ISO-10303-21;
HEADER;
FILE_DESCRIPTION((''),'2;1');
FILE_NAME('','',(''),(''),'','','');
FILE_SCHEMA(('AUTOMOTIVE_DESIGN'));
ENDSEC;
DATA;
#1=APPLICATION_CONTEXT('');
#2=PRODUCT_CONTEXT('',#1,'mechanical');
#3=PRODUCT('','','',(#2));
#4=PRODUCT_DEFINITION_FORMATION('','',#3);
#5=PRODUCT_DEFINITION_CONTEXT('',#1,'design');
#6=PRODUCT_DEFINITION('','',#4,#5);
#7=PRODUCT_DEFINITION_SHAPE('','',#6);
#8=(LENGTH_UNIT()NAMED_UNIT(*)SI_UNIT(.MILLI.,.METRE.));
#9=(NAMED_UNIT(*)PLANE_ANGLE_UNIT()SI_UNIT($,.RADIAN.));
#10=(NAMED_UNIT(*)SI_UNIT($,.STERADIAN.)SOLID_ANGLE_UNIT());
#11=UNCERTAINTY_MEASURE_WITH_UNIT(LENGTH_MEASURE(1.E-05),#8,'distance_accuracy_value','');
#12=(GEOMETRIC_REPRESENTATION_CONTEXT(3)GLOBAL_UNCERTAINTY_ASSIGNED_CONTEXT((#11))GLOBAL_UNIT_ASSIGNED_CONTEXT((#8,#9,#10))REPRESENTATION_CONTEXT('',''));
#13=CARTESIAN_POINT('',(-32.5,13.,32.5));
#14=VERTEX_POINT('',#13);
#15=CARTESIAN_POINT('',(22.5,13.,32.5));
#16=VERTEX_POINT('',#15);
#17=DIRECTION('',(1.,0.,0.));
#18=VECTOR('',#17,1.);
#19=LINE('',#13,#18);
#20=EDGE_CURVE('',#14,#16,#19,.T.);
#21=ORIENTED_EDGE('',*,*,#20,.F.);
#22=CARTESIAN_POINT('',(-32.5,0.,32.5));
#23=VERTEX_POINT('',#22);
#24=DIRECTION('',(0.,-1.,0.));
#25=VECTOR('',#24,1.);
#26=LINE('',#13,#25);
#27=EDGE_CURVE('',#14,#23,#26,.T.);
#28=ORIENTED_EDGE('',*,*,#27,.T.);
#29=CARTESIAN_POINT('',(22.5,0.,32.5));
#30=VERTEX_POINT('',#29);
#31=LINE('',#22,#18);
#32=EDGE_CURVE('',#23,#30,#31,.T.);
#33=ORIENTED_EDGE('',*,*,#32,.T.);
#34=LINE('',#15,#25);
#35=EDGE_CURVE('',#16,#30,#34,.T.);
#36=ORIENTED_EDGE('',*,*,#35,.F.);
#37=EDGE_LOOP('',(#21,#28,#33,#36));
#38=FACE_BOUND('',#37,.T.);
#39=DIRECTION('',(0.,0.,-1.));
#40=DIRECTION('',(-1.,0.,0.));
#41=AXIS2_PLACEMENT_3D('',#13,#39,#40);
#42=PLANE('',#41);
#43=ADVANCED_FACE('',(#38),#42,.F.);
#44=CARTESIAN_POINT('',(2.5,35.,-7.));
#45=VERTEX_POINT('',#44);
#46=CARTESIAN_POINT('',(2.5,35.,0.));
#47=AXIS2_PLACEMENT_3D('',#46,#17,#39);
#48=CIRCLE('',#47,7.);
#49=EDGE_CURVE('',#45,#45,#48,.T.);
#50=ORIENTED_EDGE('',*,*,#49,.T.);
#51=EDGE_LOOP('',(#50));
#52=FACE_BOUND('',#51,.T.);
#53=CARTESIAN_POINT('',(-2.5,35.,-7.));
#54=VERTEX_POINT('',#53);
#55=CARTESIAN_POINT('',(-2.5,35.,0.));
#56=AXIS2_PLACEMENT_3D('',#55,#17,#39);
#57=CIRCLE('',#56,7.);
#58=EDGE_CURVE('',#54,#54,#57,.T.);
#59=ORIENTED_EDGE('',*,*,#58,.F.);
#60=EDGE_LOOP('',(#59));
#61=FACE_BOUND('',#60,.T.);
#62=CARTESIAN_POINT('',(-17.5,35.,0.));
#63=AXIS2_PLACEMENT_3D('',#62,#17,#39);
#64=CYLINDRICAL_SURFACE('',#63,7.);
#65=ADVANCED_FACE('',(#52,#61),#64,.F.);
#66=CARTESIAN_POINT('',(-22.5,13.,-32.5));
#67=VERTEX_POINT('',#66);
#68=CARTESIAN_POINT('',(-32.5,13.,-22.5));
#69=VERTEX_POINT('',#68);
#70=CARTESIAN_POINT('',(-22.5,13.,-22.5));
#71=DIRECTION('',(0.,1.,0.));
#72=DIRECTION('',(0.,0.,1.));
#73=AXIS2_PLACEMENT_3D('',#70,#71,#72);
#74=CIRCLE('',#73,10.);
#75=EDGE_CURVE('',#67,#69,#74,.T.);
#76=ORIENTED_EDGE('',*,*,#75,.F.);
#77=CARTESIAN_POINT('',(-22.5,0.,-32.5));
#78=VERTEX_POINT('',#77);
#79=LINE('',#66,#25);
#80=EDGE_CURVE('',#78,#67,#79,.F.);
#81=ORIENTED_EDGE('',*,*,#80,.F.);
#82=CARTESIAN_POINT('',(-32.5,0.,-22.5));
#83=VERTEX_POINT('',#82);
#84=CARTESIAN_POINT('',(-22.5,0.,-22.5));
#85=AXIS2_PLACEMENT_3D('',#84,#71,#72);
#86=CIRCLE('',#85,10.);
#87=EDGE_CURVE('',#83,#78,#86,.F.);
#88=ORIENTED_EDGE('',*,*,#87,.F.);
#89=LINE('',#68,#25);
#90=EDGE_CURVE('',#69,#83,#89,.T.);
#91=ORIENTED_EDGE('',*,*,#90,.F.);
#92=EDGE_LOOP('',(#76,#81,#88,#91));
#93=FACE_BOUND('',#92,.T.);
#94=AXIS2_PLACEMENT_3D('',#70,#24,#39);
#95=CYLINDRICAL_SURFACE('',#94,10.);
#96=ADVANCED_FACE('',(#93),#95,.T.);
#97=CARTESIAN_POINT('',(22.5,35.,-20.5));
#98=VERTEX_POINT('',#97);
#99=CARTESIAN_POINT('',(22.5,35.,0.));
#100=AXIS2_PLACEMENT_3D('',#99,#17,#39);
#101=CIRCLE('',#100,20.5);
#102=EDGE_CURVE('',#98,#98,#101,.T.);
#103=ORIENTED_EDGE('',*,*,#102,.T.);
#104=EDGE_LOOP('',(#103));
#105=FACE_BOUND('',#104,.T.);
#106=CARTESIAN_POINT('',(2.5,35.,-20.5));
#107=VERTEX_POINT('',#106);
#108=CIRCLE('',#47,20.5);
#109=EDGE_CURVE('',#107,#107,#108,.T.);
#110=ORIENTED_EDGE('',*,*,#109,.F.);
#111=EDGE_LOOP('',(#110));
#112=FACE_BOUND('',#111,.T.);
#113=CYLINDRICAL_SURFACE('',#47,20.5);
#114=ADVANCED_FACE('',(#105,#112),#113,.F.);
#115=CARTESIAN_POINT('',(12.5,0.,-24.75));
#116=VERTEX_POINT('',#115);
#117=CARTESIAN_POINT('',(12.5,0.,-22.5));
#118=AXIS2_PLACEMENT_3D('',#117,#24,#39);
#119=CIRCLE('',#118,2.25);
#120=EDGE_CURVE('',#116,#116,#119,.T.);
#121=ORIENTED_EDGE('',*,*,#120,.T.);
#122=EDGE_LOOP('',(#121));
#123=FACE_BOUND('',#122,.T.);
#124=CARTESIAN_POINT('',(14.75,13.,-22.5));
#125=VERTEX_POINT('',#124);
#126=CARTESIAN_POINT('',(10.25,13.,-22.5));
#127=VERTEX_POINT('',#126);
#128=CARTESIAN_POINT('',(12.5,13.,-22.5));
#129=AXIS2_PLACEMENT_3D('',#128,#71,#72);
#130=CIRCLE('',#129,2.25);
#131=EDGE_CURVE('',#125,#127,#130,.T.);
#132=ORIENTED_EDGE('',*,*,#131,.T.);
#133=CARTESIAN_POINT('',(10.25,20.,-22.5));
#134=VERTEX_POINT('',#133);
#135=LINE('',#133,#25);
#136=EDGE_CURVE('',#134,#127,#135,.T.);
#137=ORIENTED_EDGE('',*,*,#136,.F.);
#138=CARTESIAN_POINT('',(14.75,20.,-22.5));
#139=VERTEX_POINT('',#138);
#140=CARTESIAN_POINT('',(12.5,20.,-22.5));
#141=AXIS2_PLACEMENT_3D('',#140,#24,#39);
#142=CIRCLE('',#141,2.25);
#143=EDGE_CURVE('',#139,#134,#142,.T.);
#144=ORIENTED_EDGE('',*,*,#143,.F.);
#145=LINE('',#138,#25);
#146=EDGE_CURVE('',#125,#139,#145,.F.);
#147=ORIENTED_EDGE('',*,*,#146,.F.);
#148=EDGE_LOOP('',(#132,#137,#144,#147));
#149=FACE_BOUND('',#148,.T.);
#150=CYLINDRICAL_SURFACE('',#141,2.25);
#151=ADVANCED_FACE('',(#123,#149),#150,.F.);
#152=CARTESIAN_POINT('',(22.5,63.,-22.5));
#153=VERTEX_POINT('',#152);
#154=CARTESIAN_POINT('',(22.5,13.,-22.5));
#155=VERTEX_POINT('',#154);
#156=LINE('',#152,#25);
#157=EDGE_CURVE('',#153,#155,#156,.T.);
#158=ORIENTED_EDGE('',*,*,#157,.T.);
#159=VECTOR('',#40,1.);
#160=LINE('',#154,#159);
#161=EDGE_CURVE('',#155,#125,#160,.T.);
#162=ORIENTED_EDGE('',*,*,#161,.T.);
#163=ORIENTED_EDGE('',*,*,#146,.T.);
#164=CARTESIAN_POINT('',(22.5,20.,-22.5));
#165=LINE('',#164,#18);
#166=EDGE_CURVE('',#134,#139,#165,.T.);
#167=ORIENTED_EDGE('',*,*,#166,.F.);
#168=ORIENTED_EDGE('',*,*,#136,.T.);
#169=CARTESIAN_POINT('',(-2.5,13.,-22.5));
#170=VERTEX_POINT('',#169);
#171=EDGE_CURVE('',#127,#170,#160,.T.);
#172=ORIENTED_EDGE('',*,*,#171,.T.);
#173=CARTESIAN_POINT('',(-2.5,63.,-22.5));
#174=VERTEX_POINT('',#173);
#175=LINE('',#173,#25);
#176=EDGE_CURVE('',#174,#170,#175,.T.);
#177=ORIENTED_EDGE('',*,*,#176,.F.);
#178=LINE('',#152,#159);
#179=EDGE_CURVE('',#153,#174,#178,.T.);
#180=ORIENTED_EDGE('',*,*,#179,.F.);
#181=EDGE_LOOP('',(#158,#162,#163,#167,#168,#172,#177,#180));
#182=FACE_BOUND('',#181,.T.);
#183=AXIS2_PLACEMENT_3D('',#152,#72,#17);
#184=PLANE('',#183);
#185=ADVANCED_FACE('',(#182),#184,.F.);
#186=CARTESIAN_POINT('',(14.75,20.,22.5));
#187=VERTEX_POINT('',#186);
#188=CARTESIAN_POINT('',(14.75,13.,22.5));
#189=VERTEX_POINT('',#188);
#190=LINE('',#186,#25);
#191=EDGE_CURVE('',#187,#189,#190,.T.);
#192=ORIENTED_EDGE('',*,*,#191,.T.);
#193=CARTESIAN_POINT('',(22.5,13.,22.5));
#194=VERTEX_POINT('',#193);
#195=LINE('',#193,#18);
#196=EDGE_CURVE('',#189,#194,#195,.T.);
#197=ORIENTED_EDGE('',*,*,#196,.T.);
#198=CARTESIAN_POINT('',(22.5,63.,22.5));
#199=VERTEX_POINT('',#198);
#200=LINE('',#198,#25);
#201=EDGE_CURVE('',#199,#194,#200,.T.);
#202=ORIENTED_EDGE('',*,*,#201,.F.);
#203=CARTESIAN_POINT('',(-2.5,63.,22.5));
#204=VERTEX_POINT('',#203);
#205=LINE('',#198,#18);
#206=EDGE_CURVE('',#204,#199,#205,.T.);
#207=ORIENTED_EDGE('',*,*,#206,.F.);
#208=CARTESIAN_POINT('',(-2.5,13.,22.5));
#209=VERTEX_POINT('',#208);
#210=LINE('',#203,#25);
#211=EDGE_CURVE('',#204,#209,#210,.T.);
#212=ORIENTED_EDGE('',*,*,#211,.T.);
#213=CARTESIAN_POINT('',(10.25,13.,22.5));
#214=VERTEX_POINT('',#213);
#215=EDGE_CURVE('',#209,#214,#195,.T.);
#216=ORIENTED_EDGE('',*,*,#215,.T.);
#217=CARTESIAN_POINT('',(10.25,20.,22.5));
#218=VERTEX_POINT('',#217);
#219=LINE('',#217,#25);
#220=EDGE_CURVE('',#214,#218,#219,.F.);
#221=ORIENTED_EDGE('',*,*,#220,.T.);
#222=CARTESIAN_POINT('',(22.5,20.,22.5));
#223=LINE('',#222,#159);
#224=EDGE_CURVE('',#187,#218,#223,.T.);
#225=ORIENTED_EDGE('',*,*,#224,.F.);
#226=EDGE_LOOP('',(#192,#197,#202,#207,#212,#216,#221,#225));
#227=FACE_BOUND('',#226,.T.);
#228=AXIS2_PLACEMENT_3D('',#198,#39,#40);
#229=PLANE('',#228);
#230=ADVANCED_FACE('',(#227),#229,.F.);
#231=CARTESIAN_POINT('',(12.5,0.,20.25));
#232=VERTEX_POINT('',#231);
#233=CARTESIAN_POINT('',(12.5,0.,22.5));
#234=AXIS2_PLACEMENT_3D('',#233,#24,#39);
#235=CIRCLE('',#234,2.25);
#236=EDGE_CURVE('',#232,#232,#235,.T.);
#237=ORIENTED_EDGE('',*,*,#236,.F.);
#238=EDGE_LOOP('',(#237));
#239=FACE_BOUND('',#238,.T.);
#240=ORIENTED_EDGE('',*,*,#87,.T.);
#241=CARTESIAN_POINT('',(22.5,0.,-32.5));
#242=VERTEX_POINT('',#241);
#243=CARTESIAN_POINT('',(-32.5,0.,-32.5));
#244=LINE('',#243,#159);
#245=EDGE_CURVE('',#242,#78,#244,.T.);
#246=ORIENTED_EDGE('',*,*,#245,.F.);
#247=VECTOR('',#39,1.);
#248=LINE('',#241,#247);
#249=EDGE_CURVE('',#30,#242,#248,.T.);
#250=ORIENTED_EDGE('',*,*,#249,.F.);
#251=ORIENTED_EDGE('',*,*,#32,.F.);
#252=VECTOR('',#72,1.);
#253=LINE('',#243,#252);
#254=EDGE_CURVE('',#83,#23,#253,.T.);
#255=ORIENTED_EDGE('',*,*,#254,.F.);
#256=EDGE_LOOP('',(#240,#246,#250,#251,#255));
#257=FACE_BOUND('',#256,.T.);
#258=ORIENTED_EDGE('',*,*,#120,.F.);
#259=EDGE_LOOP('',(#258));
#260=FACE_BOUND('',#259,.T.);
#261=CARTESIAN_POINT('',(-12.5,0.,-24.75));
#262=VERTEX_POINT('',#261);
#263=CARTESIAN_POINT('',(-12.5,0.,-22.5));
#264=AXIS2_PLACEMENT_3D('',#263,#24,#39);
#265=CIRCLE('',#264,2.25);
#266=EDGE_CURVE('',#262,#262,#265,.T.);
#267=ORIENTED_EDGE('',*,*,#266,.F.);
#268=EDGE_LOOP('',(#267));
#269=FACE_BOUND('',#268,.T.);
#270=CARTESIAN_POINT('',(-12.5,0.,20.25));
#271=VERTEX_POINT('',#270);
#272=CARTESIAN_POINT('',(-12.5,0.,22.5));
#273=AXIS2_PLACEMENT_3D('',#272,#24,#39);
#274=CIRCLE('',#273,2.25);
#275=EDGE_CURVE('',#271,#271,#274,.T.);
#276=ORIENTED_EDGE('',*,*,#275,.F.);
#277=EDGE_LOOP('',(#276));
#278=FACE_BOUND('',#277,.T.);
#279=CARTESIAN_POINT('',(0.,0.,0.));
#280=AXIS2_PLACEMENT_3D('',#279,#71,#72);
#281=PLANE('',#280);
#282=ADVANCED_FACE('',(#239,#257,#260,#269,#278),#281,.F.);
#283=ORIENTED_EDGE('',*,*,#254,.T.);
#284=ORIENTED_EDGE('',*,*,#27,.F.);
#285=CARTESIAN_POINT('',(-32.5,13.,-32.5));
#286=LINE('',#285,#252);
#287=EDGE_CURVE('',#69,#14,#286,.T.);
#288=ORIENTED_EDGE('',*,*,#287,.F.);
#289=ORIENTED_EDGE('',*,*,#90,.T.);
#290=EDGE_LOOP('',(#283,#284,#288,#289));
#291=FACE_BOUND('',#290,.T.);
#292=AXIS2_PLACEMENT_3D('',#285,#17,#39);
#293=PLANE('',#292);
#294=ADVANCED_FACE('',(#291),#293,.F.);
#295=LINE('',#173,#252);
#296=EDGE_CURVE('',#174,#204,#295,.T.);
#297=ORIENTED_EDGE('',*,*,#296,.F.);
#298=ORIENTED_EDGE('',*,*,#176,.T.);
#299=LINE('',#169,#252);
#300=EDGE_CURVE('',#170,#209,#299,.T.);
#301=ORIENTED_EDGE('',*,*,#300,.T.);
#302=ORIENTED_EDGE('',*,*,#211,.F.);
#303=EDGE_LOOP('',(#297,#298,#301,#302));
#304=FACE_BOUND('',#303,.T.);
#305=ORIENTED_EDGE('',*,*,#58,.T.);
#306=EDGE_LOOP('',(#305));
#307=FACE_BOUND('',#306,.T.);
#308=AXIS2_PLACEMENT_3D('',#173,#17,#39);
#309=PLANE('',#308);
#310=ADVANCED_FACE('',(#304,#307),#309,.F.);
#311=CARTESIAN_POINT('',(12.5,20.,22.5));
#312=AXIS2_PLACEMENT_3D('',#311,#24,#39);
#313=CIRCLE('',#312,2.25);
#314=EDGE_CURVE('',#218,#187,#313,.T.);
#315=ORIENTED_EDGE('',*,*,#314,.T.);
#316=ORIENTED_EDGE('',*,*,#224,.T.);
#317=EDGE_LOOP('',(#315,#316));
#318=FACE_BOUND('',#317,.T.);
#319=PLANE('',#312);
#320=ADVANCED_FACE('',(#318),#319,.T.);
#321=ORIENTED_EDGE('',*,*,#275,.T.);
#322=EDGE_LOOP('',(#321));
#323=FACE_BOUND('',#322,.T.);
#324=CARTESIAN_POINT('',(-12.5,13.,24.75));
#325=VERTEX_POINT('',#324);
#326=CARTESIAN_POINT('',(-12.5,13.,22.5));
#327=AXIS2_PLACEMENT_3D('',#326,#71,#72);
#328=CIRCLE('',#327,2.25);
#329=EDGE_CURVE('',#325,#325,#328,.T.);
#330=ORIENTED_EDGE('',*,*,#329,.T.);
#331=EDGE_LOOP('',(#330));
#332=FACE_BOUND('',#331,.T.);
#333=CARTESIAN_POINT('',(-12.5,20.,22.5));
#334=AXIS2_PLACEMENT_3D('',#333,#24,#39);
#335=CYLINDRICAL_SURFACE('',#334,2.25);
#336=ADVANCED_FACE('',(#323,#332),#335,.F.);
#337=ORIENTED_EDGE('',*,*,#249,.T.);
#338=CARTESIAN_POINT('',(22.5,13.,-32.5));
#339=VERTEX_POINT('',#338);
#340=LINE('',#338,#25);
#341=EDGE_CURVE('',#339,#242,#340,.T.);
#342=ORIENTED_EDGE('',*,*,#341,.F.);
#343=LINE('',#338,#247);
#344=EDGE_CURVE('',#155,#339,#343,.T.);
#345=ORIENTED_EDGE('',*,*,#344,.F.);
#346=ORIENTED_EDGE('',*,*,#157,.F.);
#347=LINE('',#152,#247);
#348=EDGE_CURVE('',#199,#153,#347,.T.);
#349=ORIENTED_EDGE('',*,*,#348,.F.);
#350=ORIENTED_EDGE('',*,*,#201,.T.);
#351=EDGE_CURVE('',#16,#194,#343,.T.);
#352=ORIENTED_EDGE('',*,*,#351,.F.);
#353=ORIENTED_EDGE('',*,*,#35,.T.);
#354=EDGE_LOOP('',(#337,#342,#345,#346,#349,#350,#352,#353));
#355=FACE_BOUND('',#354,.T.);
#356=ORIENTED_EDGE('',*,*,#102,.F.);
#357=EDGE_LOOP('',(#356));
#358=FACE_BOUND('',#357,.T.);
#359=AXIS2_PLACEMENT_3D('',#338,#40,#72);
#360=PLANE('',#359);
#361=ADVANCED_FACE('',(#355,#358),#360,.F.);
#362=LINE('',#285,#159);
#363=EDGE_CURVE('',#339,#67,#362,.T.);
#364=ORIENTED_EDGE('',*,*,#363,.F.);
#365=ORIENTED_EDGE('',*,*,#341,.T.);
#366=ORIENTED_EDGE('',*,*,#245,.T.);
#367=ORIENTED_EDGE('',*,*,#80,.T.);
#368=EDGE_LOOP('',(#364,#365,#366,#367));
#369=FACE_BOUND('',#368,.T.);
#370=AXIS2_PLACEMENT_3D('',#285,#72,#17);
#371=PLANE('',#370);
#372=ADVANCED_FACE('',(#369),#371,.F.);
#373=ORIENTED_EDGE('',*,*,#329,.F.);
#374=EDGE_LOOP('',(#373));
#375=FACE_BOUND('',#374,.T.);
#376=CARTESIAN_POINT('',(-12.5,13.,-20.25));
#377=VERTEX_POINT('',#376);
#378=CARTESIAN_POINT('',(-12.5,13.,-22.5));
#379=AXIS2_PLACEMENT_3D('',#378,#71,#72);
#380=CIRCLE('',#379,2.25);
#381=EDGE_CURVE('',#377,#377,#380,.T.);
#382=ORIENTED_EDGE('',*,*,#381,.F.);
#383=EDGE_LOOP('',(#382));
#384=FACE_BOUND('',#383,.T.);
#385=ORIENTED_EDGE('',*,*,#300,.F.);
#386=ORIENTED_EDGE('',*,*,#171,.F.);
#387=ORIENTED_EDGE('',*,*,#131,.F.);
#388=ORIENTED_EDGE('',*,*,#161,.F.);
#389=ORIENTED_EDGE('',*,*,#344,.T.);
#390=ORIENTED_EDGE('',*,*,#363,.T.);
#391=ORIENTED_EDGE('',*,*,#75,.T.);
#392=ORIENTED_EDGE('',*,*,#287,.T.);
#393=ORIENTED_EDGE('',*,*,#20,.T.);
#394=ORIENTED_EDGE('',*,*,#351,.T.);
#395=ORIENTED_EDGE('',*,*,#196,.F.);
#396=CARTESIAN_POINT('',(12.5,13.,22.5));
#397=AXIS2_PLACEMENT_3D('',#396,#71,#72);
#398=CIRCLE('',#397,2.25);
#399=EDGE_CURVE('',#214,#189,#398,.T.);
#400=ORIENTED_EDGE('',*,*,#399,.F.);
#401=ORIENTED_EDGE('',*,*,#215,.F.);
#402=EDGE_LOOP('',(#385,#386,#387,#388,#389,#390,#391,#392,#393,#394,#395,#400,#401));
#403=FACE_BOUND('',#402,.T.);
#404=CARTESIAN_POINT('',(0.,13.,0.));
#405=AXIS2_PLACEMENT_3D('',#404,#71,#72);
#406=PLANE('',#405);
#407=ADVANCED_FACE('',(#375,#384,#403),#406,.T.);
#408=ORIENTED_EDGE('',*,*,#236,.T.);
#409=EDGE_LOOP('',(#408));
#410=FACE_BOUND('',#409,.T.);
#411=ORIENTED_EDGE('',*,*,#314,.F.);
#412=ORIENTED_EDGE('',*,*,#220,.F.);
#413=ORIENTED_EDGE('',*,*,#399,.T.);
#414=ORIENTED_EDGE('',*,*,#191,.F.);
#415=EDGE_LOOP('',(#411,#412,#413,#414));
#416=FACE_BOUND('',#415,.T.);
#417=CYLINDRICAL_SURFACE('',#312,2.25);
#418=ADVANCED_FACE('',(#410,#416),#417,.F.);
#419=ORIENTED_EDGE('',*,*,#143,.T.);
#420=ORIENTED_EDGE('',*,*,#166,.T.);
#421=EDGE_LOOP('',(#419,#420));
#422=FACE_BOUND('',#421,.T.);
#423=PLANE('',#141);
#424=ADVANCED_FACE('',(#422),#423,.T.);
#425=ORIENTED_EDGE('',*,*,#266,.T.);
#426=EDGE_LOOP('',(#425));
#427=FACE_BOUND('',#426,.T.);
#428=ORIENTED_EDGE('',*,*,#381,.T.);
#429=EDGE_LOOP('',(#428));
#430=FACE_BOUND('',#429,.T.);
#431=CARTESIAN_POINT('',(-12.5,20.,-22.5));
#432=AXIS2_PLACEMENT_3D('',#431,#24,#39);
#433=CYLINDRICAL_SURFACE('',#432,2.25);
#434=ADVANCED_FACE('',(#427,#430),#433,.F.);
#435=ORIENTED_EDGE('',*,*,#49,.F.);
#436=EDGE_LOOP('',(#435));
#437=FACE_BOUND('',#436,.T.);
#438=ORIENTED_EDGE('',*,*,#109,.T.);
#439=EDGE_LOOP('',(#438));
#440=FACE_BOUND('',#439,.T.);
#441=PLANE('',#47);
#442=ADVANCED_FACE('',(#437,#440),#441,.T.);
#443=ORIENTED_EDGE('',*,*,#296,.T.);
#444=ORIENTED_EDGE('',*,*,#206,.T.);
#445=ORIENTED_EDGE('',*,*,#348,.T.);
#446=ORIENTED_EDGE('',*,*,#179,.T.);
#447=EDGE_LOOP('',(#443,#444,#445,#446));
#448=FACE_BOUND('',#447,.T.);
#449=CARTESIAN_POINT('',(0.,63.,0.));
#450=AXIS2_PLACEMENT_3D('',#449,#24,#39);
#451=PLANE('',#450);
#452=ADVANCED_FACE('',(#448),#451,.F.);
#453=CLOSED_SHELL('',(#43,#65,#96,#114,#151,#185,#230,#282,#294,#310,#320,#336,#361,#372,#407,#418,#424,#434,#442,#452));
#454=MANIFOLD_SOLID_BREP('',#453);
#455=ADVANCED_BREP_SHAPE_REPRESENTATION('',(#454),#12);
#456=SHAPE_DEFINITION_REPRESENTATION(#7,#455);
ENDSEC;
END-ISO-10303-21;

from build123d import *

# Parameters (mm, degrees)
SKETCH1_W           = 55
SKETCH1_H           = 65
BOSS_EXTRUDE1_DEPTH = 13
SKETCH2_W           = 25
SKETCH2_H           = 45
BOSS_EXTRUDE2_DEPTH = 50
SKETCH5_R           = 20.5
CUT_EXTRUDE1_DEPTH  = 20
SKETCH7_R           = 7
CUT_EXTRUDE2_DEPTH  = 20
SKETCH8_R           = 2.25
CUT_EXTRUDE3_DEPTH  = 20
FILLET1_R           = 10


with BuildPart() as part:
    # Sketch1 → Boss-Extrude1 (new body)
    with BuildSketch(Plane(origin=(0, 0, 0), x_dir=(1, 0, 0), z_dir=(0, 1, 0))):
        with Locations((-5, 0)):
            Rectangle(SKETCH1_W, SKETCH1_H)
    extrude(amount=BOSS_EXTRUDE1_DEPTH)

    # Sketch2 → Boss-Extrude2 (add)
    with BuildSketch(Plane(origin=(0, 13, 0), x_dir=(1, 0, 0), z_dir=(0, 1, 0))):
        with Locations((10, 0)):
            Rectangle(SKETCH2_W, SKETCH2_H)
    extrude(amount=BOSS_EXTRUDE2_DEPTH)

    # Sketch5 → Cut-Extrude1 (cut)
    with BuildSketch(Plane(origin=(22.5, 0, 0), x_dir=(0, 0, -1), z_dir=(1, 0, 0))):
        with Locations((0, 35)):
            Circle(SKETCH5_R)
    extrude(amount=-CUT_EXTRUDE1_DEPTH, mode=Mode.SUBTRACT)

    # Sketch7 → Cut-Extrude2 (cut)
    with BuildSketch(Plane(origin=(2.5, 0, 0), x_dir=(0, 0, -1), z_dir=(1, 0, 0))):
        with Locations((0, 35)):
            Circle(SKETCH7_R)
    extrude(amount=-CUT_EXTRUDE2_DEPTH, mode=Mode.SUBTRACT)

    # Sketch8 → Cut-Extrude3 (cut)
    with BuildSketch(Plane(origin=(0, 0, 0), x_dir=(-1, 0, 0), z_dir=(0, -1, 0))):
        with Locations(Location((12.5, -22.5, 0), (0, 0, 90))):
            Circle(SKETCH8_R)
        with Locations(Location((12.5, 22.5, 0), (0, 0, 90))):
            Circle(SKETCH8_R)
        with Locations(Location((-12.5, 22.5, 0), (0, 0, 90))):
            Circle(SKETCH8_R)
        with Locations(Location((-12.5, -22.5, 0), (0, 0, 90))):
            Circle(SKETCH8_R)
    extrude(amount=-CUT_EXTRUDE3_DEPTH, mode=Mode.SUBTRACT)

    # Fillet1
    fillet1_edges = [part.edges().sort_by_distance(p)[0] for p in [
        (-32.5, 6.5, -32.5),
    ]]
    fillet(fillet1_edges, radius=FILLET1_R)


solid = part.part
